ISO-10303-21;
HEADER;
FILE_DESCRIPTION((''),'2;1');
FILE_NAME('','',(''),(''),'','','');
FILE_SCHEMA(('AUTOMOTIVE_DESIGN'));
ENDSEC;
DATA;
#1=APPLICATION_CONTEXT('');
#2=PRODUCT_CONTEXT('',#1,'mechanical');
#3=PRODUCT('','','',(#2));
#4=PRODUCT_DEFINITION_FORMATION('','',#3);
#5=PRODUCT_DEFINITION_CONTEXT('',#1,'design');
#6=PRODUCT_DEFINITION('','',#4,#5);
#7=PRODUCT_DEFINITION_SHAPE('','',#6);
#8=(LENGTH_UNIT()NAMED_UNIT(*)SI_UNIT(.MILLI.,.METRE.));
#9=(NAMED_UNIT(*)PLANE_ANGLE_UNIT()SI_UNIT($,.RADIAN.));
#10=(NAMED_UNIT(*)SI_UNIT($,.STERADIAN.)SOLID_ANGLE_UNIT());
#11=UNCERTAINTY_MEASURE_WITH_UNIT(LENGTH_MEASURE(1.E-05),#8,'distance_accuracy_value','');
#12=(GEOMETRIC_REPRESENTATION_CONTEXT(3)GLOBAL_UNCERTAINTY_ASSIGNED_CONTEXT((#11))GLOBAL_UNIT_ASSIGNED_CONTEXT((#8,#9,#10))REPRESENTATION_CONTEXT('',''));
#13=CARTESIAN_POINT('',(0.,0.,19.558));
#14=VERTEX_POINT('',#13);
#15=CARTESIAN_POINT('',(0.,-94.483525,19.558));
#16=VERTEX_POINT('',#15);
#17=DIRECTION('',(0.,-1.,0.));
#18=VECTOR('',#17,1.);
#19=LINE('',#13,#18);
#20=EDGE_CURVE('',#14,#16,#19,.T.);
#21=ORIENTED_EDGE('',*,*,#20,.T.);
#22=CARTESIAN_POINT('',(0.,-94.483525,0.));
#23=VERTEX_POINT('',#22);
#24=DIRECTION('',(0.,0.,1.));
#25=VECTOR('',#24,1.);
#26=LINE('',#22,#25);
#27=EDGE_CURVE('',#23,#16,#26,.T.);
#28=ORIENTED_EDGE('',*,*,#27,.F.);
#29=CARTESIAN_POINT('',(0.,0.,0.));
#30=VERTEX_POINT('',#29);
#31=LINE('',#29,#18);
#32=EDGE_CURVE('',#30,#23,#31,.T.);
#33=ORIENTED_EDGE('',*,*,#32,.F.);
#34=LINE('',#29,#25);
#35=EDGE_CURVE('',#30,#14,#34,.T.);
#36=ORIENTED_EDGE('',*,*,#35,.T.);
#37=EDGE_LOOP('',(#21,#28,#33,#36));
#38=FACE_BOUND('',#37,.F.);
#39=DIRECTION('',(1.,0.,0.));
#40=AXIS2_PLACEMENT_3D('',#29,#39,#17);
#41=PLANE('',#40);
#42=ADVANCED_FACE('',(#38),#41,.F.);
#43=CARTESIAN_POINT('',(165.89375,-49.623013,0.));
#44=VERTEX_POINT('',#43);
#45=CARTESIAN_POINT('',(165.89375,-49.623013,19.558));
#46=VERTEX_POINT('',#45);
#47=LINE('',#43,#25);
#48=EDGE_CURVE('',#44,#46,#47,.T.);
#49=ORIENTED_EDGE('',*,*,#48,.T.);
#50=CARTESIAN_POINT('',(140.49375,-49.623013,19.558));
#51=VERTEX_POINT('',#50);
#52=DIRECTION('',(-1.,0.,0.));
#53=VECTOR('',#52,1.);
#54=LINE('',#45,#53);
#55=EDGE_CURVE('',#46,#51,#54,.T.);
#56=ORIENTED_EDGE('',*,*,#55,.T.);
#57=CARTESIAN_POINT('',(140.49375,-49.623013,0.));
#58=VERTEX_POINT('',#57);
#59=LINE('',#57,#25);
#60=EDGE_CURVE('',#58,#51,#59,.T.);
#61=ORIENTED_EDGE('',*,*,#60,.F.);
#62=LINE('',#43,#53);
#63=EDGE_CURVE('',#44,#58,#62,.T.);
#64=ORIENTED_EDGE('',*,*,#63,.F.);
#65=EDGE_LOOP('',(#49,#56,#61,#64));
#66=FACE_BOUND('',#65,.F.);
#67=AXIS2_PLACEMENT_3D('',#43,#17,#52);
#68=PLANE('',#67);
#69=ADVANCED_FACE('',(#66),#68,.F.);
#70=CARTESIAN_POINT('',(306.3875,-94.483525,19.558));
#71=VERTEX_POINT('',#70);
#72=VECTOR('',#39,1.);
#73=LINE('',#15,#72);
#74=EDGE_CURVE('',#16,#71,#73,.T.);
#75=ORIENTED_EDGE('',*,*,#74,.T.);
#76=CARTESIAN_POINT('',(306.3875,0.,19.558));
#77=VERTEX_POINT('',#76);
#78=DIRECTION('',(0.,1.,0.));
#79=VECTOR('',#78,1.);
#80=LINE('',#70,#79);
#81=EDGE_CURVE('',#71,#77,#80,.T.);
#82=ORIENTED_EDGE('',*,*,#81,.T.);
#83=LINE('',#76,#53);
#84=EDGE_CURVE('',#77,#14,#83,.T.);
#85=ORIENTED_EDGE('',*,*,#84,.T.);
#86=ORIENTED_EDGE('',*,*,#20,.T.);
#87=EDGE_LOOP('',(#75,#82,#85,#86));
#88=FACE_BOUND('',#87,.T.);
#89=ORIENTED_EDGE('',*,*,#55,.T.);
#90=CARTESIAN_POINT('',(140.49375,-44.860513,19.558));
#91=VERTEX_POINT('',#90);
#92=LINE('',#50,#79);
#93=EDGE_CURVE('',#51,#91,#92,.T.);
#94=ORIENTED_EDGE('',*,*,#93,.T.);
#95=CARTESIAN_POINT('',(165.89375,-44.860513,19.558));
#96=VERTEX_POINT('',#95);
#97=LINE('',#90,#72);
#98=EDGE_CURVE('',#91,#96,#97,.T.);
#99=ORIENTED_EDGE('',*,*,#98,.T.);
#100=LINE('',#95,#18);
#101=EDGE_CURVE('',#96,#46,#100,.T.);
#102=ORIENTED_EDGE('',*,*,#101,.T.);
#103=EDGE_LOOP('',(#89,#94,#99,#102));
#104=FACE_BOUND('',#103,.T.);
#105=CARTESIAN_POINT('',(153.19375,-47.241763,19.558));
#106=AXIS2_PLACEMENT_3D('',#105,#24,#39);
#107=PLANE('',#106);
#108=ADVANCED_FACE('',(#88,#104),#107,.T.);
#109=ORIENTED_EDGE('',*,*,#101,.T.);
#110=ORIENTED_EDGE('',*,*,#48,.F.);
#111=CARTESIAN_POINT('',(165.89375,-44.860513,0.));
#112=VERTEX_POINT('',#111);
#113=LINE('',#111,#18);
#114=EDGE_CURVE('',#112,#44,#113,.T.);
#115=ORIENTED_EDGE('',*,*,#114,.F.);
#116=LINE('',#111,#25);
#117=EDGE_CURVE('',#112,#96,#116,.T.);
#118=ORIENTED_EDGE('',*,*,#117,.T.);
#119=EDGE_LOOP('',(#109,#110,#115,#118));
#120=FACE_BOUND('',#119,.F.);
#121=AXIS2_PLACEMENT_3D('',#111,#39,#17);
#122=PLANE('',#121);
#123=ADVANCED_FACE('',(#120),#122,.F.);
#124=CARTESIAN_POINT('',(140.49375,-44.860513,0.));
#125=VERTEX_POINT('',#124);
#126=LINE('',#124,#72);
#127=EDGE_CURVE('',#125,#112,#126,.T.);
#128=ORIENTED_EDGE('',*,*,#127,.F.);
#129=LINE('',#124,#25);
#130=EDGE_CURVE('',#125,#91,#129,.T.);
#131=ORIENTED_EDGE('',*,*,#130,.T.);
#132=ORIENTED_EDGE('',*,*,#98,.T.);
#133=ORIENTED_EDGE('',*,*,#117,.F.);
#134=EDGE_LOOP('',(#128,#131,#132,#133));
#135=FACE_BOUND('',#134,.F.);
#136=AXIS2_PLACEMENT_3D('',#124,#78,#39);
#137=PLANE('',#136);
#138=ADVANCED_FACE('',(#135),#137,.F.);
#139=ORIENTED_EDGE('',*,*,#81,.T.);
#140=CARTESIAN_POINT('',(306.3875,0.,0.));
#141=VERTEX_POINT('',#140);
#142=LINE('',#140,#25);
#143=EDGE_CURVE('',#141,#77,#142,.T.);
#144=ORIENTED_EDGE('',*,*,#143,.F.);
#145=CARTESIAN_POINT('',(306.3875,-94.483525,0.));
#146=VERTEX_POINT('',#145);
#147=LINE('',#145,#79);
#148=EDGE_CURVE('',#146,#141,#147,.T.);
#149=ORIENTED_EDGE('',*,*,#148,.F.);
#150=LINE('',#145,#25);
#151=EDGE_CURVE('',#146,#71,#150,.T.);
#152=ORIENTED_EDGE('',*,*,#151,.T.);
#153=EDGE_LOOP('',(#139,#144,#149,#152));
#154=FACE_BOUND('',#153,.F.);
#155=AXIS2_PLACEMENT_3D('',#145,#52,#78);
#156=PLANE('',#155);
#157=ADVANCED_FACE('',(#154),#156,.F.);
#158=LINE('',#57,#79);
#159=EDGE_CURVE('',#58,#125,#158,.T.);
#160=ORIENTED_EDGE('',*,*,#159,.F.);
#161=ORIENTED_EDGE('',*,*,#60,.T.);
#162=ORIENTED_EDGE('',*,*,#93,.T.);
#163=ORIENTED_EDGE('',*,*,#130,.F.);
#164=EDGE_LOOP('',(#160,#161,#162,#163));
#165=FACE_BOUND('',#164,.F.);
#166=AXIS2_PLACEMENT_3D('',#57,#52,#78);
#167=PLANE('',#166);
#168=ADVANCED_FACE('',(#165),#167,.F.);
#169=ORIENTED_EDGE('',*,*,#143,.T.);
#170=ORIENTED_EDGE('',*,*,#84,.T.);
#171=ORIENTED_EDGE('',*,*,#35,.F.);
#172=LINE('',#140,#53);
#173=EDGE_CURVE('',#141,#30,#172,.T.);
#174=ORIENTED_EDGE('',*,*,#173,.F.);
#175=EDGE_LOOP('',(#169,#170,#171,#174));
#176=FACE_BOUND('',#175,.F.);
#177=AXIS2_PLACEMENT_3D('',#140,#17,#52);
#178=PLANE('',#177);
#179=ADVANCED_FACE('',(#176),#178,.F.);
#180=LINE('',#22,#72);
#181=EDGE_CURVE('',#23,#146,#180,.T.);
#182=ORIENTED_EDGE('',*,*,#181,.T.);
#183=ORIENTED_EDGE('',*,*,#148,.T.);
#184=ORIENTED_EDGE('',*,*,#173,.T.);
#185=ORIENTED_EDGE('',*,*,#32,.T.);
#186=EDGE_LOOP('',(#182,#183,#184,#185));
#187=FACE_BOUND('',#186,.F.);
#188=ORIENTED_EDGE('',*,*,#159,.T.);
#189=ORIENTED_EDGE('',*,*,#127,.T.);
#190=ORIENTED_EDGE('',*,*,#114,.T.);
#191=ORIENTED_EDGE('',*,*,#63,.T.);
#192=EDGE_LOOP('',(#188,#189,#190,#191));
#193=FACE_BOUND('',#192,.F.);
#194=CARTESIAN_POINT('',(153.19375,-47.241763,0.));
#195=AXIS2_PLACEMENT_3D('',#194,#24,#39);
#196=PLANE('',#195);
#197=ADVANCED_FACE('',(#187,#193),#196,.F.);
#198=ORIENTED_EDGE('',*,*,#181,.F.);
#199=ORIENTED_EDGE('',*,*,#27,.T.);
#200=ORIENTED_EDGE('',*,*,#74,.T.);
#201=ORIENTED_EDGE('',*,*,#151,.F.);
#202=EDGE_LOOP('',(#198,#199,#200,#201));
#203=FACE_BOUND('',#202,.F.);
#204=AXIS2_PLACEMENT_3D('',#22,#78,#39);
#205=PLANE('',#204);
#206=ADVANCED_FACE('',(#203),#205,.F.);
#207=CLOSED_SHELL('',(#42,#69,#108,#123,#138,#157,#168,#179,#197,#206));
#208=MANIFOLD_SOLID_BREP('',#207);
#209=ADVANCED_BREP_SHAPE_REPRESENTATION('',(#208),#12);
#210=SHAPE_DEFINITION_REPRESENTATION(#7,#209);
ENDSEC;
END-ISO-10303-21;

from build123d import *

# Parameters (mm, degrees)
F1_DEPTH = 19.558


with BuildPart() as f1:
    # F0 (on Top) → F1 (new body)
    with BuildSketch(Plane.XY):
        Polygon((91.65114, 0), (0, 0), (0, -94.483525), (306.3875, -94.483525), (306.3875, 0), align=None)
        Polygon((165.89375, -49.623013), (153.19375, -49.623013), (140.49375, -49.623013), (140.49375, -44.860513), (153.19375, -44.860513), (165.89375, -44.860513), align=None, mode=Mode.SUBTRACT)
    extrude(amount=F1_DEPTH)


solid = f1.part
